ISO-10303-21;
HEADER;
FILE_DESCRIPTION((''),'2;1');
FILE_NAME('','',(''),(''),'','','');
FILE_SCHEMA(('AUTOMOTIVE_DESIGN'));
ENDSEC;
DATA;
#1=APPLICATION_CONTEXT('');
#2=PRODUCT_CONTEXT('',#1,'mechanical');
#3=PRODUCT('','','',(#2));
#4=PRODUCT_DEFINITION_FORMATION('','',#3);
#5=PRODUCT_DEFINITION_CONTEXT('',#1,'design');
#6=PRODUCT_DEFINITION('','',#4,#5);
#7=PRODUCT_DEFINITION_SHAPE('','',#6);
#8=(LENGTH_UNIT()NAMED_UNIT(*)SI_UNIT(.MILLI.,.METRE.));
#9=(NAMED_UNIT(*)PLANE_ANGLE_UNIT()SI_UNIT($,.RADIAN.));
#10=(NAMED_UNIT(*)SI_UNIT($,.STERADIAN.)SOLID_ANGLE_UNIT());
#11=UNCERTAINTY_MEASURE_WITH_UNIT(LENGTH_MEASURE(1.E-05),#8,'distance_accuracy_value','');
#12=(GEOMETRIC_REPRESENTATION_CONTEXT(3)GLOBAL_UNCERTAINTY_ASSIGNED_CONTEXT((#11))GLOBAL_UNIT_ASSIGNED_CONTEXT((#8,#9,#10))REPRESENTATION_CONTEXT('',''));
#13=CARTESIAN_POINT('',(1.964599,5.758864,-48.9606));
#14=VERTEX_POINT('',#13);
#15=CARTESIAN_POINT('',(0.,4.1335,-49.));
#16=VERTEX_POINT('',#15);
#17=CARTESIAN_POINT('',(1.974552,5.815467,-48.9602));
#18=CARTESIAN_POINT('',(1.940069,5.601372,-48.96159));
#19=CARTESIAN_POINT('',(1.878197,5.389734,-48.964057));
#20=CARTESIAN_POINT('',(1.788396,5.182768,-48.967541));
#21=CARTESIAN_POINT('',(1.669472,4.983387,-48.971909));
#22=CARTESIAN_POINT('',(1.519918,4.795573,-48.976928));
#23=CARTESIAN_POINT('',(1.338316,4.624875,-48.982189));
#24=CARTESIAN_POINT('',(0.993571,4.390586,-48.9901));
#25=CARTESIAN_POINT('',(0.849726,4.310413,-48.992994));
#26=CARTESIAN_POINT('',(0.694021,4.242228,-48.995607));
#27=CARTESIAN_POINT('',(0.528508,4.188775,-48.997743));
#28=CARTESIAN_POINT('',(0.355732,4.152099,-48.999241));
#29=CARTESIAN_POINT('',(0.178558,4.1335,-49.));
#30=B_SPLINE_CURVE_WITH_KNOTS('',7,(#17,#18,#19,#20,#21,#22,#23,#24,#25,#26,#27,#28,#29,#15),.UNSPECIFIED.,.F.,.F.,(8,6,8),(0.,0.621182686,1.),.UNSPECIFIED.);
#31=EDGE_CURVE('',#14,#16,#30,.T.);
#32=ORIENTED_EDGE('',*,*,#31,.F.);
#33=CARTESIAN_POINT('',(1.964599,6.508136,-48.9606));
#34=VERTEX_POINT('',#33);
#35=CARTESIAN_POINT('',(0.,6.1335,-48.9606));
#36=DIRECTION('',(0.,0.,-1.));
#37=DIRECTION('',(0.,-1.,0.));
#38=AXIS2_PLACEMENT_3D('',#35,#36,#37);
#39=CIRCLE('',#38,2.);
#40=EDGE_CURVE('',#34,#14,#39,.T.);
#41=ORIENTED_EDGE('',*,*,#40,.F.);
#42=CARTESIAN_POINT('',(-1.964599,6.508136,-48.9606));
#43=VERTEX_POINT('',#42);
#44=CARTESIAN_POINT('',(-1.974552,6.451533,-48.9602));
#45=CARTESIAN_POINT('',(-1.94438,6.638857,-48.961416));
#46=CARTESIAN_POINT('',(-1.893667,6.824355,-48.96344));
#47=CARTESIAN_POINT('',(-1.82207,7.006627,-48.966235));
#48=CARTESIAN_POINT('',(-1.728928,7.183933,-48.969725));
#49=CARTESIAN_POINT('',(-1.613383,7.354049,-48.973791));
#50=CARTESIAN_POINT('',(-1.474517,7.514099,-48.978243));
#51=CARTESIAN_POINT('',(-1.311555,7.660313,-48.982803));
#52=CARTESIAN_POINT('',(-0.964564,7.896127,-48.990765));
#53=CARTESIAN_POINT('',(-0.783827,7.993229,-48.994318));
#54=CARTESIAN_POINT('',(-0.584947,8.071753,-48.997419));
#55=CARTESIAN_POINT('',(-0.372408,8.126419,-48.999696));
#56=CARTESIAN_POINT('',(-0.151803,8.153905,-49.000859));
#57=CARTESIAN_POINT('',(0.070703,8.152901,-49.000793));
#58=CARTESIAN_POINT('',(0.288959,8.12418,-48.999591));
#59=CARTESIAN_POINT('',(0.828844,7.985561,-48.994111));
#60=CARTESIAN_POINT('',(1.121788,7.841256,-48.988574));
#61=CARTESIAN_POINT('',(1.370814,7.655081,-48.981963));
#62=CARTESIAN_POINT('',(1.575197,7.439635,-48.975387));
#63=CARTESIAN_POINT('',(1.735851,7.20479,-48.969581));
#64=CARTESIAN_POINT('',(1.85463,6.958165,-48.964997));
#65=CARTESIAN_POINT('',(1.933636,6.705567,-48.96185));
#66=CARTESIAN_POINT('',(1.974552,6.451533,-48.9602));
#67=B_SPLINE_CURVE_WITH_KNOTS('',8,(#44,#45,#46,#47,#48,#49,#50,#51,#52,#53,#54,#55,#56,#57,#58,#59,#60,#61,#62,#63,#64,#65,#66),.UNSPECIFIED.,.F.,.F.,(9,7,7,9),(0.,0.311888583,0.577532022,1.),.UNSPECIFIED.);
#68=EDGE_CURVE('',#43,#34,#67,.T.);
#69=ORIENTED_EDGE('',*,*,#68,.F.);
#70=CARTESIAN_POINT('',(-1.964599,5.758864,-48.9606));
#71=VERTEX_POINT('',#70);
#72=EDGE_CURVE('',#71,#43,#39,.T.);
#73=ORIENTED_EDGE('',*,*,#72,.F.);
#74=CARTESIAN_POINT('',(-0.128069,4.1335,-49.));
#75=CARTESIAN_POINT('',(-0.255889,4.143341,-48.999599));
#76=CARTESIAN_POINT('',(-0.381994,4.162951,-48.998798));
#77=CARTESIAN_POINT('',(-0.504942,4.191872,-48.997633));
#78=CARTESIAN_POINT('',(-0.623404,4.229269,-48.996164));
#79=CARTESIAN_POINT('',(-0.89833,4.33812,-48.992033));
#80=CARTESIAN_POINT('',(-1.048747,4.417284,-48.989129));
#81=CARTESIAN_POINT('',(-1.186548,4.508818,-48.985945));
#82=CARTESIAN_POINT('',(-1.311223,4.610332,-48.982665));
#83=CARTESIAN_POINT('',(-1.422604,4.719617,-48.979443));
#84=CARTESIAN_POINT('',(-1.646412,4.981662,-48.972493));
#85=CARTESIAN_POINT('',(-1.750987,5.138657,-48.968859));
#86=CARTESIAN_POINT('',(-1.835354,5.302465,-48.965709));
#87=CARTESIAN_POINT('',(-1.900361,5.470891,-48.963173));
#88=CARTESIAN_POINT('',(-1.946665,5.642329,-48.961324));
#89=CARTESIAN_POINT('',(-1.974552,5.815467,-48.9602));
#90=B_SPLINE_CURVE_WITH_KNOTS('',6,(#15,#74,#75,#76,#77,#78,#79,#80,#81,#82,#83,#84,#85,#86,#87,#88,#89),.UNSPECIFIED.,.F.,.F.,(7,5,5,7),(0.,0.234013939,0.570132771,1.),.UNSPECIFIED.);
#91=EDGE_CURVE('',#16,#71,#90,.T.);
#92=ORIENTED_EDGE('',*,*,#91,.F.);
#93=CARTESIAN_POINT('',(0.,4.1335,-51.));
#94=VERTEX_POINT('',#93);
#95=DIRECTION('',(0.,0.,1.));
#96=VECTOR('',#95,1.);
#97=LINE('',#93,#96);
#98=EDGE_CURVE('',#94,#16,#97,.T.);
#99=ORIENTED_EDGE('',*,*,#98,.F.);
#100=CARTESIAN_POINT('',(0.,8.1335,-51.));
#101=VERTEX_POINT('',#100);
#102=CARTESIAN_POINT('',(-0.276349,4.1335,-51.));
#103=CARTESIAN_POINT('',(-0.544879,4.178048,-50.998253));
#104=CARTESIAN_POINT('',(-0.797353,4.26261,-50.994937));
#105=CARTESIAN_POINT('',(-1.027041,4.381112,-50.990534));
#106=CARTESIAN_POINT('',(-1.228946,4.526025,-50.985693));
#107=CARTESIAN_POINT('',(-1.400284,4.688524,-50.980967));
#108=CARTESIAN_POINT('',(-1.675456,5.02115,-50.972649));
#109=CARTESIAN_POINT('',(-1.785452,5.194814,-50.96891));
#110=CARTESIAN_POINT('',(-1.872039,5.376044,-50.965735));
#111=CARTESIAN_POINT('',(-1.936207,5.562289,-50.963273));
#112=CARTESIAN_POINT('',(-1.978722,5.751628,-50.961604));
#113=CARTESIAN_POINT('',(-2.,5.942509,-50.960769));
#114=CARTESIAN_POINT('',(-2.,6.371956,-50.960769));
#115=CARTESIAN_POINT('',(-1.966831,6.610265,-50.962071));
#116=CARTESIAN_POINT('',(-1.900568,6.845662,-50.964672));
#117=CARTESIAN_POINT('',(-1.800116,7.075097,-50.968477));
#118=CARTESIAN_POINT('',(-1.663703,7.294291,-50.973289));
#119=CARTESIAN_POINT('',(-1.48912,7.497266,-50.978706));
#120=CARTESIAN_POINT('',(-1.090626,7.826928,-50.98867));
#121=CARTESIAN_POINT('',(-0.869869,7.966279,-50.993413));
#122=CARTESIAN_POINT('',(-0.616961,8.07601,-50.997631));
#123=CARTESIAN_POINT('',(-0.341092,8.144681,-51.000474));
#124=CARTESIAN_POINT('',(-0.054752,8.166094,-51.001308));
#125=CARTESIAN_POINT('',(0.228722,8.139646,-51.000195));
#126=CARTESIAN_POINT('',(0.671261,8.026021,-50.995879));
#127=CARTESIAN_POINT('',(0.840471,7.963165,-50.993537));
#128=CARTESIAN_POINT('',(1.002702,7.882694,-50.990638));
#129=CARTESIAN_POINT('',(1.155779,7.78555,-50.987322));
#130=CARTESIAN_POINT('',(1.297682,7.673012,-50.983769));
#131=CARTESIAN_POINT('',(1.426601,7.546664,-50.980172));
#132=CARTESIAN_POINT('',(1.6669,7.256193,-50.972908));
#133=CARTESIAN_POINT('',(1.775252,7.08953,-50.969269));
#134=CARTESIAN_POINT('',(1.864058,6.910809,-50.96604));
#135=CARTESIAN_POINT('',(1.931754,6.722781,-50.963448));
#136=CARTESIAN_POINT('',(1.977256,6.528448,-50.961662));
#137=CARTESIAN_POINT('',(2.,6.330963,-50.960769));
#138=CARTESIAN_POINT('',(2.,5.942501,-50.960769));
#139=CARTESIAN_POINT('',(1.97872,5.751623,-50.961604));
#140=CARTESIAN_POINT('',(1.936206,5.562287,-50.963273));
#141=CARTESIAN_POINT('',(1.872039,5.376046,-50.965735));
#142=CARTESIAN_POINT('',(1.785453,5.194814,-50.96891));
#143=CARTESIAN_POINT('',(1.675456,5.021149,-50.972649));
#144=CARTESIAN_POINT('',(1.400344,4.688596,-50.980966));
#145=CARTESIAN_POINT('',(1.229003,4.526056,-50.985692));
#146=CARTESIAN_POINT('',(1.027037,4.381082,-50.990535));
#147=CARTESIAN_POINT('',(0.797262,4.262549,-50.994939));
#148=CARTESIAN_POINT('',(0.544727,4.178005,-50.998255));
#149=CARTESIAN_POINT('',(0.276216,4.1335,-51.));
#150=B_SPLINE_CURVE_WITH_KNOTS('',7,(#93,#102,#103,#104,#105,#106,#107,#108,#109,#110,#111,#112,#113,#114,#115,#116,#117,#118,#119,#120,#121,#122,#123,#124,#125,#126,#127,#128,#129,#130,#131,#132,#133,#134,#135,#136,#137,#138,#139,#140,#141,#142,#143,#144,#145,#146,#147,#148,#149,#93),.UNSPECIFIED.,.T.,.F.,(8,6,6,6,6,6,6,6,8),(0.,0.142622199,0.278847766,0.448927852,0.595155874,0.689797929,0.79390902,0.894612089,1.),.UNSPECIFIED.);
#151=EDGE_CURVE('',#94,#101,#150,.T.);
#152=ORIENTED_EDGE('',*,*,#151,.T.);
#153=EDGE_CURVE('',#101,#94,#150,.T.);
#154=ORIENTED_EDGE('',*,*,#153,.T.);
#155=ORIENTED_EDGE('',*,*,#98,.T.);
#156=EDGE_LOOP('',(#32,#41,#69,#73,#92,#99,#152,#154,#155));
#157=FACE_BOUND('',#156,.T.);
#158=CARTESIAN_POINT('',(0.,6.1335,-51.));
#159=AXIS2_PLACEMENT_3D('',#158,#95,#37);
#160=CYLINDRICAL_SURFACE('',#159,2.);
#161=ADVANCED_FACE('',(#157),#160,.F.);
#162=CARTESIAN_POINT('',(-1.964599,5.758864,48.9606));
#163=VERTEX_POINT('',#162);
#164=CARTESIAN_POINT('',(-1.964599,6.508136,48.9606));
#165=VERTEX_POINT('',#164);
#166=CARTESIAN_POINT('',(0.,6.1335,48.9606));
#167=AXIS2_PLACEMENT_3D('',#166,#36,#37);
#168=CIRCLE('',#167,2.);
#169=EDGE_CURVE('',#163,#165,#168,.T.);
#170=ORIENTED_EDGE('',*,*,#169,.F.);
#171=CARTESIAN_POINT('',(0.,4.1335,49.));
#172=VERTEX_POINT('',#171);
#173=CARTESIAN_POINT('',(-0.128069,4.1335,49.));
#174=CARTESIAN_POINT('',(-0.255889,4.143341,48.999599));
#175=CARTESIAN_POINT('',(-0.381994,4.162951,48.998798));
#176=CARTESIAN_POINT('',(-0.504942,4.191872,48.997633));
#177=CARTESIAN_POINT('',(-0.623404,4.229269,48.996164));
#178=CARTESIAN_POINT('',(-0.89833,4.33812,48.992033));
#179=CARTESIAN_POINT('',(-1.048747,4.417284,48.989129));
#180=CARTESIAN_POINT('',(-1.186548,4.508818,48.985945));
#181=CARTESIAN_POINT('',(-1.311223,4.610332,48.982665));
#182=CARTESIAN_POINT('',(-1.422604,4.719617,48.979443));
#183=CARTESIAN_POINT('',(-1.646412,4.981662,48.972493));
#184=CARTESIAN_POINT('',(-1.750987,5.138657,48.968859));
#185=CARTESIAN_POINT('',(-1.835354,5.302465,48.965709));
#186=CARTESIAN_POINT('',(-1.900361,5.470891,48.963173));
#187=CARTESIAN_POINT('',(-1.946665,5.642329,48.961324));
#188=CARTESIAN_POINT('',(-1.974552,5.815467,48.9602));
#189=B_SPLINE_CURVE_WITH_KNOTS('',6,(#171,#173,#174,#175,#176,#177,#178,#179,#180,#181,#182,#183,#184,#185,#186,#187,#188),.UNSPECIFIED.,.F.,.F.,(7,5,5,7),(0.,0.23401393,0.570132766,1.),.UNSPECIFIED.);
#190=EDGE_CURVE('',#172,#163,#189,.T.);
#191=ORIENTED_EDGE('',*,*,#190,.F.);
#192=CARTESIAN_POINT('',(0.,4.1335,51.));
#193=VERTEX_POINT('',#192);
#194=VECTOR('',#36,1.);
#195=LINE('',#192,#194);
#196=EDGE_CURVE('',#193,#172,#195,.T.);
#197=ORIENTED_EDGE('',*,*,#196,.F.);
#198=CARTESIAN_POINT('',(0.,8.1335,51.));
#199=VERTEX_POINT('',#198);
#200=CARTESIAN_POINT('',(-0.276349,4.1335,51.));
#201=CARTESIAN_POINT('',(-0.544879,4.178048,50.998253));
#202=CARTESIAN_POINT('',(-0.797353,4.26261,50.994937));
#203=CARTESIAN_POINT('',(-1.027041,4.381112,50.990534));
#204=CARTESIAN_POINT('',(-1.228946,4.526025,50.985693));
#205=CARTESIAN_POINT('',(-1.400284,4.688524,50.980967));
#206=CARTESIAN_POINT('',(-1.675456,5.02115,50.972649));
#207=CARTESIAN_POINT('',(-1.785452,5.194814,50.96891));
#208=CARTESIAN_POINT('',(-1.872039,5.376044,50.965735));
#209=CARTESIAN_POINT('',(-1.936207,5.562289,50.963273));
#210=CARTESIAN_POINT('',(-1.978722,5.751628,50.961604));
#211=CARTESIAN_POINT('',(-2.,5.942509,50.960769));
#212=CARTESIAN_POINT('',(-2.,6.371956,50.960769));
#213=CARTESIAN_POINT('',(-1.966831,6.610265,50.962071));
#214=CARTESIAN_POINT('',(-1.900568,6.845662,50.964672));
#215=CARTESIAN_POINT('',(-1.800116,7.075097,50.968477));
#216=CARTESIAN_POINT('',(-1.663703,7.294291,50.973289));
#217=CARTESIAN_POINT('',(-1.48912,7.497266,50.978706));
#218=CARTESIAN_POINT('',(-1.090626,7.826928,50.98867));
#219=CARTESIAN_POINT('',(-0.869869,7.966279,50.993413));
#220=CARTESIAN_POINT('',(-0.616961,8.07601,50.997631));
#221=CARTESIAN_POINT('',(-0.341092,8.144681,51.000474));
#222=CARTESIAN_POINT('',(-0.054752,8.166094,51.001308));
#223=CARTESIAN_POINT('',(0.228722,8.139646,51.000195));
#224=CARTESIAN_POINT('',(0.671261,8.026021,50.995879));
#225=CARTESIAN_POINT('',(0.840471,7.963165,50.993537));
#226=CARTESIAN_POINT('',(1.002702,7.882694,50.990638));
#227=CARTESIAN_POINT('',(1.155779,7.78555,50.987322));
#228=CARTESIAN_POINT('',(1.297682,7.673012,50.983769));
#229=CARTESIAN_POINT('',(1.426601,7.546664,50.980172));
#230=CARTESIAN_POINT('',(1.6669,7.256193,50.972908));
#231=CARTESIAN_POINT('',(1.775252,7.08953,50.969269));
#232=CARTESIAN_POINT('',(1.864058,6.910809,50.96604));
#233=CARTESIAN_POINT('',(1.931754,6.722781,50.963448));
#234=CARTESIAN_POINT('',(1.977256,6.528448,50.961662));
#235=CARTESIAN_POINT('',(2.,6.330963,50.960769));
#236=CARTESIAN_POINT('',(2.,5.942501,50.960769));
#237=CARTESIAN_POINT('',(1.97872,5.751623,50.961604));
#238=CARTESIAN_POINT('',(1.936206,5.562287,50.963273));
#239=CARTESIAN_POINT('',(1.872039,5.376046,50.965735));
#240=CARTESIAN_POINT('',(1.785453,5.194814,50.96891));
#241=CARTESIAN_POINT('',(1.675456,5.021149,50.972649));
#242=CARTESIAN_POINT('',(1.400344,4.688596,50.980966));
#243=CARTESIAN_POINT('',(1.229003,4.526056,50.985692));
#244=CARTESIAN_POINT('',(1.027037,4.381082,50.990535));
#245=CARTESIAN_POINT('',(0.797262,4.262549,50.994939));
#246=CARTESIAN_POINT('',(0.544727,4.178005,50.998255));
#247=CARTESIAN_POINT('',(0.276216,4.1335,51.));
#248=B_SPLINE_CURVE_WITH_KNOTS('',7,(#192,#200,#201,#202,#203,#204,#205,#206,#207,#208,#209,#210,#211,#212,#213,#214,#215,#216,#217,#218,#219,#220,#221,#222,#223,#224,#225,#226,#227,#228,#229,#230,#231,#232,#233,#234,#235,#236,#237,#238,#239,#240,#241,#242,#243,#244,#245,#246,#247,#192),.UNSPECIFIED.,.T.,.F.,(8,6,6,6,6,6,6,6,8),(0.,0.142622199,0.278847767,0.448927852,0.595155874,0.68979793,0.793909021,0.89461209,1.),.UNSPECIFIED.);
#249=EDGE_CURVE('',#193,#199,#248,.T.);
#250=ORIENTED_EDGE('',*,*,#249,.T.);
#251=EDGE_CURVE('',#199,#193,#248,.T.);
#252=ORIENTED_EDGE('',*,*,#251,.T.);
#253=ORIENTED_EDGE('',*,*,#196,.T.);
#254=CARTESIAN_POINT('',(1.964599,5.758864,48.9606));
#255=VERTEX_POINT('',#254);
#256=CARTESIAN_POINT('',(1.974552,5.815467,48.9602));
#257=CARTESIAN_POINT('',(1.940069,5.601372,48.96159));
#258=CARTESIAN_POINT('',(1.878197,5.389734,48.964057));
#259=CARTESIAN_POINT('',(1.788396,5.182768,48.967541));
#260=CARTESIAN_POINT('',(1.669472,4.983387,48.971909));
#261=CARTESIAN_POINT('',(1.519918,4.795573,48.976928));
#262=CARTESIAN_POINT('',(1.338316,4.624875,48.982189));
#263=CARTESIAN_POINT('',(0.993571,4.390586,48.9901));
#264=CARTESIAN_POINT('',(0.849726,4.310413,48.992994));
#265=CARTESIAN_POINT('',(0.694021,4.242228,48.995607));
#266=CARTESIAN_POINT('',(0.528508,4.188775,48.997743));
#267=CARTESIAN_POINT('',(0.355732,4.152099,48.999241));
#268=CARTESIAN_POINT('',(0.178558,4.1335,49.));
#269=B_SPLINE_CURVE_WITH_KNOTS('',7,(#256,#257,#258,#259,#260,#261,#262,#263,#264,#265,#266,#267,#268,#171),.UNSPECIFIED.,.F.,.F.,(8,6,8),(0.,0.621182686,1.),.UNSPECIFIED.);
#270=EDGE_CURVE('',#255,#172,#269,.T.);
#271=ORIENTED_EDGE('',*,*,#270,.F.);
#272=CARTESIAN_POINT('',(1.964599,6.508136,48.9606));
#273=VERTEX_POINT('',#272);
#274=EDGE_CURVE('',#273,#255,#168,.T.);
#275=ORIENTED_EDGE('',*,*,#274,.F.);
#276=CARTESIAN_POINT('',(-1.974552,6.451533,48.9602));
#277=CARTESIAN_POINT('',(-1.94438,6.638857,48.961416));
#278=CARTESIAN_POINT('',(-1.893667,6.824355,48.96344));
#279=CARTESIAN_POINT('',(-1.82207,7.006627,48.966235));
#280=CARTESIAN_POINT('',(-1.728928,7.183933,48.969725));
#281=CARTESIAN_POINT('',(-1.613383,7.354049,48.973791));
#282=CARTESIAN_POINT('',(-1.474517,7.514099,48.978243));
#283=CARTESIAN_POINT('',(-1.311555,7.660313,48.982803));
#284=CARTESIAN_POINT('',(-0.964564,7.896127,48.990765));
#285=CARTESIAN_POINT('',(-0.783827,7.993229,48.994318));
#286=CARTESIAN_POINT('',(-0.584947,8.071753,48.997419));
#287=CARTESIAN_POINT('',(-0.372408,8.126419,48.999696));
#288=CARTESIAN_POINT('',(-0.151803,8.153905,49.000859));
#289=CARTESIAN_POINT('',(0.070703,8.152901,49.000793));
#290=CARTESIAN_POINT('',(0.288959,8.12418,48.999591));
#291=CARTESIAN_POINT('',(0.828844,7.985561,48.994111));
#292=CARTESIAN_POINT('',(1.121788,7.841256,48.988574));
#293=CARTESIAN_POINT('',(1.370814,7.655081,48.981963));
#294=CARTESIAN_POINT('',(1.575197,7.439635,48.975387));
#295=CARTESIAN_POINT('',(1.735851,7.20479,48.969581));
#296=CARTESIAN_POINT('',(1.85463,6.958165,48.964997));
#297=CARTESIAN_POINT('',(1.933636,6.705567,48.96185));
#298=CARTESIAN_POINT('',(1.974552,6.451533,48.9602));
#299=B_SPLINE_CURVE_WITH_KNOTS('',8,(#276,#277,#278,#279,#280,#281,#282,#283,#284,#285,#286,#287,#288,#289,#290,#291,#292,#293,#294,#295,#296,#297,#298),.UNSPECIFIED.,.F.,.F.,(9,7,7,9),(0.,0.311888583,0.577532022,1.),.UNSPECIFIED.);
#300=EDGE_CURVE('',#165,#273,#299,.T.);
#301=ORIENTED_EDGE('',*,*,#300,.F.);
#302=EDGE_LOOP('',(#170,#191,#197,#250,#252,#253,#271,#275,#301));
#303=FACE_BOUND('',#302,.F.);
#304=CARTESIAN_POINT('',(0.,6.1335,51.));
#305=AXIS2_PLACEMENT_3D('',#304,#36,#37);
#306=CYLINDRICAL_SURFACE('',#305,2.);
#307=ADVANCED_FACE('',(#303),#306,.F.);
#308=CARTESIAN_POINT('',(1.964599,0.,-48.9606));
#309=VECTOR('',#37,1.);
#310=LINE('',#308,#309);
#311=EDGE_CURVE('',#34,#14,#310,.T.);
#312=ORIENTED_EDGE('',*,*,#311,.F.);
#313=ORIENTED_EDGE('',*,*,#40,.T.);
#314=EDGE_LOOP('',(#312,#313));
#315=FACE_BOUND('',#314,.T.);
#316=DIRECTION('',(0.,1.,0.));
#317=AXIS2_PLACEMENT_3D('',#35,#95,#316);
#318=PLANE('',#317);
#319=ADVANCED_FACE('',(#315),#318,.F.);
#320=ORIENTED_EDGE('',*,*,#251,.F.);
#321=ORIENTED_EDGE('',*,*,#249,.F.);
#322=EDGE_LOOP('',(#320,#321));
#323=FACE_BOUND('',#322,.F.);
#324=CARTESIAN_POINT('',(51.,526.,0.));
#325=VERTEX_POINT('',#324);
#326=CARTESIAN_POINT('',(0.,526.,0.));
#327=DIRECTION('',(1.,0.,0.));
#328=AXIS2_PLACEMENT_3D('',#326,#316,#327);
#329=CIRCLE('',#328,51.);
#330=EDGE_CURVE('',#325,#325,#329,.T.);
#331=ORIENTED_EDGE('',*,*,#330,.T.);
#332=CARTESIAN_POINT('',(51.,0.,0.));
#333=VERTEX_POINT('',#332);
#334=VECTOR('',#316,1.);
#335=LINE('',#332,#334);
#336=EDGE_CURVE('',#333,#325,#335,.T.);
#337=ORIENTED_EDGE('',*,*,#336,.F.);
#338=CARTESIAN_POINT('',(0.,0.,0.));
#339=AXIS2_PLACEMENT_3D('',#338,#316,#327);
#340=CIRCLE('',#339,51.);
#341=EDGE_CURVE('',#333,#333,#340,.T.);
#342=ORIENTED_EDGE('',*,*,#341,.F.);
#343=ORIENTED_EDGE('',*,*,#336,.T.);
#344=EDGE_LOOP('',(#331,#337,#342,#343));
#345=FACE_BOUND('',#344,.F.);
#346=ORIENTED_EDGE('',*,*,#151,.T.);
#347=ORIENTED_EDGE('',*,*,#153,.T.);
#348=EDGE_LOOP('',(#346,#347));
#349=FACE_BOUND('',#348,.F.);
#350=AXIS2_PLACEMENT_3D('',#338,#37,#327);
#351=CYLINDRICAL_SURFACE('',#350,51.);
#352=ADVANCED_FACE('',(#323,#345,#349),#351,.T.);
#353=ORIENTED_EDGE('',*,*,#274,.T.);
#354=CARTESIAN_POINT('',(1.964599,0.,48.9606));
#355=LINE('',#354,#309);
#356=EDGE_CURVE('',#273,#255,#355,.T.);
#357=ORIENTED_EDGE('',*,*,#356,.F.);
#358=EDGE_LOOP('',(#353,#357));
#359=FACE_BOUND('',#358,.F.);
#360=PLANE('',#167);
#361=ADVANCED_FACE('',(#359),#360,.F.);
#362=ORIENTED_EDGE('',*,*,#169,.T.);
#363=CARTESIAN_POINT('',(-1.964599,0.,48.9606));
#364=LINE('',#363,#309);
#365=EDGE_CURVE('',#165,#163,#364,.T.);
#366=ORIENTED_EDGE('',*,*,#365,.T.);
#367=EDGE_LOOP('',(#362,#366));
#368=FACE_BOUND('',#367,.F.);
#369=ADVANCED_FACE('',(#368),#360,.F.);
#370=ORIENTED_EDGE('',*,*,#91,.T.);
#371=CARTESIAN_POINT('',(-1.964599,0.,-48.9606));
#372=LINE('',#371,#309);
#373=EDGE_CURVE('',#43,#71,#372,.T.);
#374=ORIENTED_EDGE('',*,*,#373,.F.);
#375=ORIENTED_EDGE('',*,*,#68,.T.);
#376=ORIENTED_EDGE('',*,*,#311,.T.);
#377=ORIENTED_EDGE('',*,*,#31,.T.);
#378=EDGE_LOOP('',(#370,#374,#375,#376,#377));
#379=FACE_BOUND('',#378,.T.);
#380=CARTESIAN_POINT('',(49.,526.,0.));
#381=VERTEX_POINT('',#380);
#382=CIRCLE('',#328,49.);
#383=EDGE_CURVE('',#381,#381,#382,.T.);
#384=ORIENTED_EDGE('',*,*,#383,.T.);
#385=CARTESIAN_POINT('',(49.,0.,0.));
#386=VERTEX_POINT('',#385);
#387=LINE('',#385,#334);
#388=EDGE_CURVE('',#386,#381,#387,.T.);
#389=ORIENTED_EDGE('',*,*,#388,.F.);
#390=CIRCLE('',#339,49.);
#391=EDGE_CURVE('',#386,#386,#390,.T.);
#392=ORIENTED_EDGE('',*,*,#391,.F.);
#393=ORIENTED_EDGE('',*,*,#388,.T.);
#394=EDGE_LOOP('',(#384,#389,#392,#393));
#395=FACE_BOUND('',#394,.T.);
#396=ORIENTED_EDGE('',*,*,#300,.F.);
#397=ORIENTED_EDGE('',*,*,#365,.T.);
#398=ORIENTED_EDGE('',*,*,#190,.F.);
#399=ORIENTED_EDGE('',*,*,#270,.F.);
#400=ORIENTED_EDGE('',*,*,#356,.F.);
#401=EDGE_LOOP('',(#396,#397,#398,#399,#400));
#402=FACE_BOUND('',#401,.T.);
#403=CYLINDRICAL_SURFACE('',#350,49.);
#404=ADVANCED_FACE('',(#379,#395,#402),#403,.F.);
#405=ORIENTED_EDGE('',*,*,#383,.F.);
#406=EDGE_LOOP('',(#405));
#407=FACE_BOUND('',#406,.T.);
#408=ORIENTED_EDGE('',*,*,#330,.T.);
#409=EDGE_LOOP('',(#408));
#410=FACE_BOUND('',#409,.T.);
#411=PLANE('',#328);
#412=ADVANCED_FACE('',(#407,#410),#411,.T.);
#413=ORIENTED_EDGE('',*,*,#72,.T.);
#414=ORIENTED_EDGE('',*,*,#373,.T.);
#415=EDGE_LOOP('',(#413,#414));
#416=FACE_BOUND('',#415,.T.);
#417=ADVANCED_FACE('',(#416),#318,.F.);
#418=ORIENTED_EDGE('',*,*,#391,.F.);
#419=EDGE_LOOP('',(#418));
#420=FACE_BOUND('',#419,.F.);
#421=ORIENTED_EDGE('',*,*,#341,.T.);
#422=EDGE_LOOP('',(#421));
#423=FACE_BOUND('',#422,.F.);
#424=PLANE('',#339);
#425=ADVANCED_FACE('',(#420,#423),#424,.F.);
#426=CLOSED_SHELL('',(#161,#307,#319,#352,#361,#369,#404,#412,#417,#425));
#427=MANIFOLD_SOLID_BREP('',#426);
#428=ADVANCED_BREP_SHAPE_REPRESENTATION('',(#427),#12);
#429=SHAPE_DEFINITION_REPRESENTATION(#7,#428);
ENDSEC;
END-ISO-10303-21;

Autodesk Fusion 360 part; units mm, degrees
sketch "Sketch1" plane through (0, 0, 0) normal (0, 1, 0) x (1, 0, 0)
  circle A0 centre (0, 0) radius 49
  circle A1 centre (0, 0) radius 51
  dimension "d1" = 98
  dimension "d4" = 102
extrude "Extrude2" add sketch "Sketch1" along normal blind 526
hole "Hole1" at (0, 6.1335, 51) direction (0, 0, -1) diameter 4 depth 2.0394 tip angle 180
mirror "Mirror1" about plane through (0, 0, 0) normal (0, 0, 1) of "Hole1"
